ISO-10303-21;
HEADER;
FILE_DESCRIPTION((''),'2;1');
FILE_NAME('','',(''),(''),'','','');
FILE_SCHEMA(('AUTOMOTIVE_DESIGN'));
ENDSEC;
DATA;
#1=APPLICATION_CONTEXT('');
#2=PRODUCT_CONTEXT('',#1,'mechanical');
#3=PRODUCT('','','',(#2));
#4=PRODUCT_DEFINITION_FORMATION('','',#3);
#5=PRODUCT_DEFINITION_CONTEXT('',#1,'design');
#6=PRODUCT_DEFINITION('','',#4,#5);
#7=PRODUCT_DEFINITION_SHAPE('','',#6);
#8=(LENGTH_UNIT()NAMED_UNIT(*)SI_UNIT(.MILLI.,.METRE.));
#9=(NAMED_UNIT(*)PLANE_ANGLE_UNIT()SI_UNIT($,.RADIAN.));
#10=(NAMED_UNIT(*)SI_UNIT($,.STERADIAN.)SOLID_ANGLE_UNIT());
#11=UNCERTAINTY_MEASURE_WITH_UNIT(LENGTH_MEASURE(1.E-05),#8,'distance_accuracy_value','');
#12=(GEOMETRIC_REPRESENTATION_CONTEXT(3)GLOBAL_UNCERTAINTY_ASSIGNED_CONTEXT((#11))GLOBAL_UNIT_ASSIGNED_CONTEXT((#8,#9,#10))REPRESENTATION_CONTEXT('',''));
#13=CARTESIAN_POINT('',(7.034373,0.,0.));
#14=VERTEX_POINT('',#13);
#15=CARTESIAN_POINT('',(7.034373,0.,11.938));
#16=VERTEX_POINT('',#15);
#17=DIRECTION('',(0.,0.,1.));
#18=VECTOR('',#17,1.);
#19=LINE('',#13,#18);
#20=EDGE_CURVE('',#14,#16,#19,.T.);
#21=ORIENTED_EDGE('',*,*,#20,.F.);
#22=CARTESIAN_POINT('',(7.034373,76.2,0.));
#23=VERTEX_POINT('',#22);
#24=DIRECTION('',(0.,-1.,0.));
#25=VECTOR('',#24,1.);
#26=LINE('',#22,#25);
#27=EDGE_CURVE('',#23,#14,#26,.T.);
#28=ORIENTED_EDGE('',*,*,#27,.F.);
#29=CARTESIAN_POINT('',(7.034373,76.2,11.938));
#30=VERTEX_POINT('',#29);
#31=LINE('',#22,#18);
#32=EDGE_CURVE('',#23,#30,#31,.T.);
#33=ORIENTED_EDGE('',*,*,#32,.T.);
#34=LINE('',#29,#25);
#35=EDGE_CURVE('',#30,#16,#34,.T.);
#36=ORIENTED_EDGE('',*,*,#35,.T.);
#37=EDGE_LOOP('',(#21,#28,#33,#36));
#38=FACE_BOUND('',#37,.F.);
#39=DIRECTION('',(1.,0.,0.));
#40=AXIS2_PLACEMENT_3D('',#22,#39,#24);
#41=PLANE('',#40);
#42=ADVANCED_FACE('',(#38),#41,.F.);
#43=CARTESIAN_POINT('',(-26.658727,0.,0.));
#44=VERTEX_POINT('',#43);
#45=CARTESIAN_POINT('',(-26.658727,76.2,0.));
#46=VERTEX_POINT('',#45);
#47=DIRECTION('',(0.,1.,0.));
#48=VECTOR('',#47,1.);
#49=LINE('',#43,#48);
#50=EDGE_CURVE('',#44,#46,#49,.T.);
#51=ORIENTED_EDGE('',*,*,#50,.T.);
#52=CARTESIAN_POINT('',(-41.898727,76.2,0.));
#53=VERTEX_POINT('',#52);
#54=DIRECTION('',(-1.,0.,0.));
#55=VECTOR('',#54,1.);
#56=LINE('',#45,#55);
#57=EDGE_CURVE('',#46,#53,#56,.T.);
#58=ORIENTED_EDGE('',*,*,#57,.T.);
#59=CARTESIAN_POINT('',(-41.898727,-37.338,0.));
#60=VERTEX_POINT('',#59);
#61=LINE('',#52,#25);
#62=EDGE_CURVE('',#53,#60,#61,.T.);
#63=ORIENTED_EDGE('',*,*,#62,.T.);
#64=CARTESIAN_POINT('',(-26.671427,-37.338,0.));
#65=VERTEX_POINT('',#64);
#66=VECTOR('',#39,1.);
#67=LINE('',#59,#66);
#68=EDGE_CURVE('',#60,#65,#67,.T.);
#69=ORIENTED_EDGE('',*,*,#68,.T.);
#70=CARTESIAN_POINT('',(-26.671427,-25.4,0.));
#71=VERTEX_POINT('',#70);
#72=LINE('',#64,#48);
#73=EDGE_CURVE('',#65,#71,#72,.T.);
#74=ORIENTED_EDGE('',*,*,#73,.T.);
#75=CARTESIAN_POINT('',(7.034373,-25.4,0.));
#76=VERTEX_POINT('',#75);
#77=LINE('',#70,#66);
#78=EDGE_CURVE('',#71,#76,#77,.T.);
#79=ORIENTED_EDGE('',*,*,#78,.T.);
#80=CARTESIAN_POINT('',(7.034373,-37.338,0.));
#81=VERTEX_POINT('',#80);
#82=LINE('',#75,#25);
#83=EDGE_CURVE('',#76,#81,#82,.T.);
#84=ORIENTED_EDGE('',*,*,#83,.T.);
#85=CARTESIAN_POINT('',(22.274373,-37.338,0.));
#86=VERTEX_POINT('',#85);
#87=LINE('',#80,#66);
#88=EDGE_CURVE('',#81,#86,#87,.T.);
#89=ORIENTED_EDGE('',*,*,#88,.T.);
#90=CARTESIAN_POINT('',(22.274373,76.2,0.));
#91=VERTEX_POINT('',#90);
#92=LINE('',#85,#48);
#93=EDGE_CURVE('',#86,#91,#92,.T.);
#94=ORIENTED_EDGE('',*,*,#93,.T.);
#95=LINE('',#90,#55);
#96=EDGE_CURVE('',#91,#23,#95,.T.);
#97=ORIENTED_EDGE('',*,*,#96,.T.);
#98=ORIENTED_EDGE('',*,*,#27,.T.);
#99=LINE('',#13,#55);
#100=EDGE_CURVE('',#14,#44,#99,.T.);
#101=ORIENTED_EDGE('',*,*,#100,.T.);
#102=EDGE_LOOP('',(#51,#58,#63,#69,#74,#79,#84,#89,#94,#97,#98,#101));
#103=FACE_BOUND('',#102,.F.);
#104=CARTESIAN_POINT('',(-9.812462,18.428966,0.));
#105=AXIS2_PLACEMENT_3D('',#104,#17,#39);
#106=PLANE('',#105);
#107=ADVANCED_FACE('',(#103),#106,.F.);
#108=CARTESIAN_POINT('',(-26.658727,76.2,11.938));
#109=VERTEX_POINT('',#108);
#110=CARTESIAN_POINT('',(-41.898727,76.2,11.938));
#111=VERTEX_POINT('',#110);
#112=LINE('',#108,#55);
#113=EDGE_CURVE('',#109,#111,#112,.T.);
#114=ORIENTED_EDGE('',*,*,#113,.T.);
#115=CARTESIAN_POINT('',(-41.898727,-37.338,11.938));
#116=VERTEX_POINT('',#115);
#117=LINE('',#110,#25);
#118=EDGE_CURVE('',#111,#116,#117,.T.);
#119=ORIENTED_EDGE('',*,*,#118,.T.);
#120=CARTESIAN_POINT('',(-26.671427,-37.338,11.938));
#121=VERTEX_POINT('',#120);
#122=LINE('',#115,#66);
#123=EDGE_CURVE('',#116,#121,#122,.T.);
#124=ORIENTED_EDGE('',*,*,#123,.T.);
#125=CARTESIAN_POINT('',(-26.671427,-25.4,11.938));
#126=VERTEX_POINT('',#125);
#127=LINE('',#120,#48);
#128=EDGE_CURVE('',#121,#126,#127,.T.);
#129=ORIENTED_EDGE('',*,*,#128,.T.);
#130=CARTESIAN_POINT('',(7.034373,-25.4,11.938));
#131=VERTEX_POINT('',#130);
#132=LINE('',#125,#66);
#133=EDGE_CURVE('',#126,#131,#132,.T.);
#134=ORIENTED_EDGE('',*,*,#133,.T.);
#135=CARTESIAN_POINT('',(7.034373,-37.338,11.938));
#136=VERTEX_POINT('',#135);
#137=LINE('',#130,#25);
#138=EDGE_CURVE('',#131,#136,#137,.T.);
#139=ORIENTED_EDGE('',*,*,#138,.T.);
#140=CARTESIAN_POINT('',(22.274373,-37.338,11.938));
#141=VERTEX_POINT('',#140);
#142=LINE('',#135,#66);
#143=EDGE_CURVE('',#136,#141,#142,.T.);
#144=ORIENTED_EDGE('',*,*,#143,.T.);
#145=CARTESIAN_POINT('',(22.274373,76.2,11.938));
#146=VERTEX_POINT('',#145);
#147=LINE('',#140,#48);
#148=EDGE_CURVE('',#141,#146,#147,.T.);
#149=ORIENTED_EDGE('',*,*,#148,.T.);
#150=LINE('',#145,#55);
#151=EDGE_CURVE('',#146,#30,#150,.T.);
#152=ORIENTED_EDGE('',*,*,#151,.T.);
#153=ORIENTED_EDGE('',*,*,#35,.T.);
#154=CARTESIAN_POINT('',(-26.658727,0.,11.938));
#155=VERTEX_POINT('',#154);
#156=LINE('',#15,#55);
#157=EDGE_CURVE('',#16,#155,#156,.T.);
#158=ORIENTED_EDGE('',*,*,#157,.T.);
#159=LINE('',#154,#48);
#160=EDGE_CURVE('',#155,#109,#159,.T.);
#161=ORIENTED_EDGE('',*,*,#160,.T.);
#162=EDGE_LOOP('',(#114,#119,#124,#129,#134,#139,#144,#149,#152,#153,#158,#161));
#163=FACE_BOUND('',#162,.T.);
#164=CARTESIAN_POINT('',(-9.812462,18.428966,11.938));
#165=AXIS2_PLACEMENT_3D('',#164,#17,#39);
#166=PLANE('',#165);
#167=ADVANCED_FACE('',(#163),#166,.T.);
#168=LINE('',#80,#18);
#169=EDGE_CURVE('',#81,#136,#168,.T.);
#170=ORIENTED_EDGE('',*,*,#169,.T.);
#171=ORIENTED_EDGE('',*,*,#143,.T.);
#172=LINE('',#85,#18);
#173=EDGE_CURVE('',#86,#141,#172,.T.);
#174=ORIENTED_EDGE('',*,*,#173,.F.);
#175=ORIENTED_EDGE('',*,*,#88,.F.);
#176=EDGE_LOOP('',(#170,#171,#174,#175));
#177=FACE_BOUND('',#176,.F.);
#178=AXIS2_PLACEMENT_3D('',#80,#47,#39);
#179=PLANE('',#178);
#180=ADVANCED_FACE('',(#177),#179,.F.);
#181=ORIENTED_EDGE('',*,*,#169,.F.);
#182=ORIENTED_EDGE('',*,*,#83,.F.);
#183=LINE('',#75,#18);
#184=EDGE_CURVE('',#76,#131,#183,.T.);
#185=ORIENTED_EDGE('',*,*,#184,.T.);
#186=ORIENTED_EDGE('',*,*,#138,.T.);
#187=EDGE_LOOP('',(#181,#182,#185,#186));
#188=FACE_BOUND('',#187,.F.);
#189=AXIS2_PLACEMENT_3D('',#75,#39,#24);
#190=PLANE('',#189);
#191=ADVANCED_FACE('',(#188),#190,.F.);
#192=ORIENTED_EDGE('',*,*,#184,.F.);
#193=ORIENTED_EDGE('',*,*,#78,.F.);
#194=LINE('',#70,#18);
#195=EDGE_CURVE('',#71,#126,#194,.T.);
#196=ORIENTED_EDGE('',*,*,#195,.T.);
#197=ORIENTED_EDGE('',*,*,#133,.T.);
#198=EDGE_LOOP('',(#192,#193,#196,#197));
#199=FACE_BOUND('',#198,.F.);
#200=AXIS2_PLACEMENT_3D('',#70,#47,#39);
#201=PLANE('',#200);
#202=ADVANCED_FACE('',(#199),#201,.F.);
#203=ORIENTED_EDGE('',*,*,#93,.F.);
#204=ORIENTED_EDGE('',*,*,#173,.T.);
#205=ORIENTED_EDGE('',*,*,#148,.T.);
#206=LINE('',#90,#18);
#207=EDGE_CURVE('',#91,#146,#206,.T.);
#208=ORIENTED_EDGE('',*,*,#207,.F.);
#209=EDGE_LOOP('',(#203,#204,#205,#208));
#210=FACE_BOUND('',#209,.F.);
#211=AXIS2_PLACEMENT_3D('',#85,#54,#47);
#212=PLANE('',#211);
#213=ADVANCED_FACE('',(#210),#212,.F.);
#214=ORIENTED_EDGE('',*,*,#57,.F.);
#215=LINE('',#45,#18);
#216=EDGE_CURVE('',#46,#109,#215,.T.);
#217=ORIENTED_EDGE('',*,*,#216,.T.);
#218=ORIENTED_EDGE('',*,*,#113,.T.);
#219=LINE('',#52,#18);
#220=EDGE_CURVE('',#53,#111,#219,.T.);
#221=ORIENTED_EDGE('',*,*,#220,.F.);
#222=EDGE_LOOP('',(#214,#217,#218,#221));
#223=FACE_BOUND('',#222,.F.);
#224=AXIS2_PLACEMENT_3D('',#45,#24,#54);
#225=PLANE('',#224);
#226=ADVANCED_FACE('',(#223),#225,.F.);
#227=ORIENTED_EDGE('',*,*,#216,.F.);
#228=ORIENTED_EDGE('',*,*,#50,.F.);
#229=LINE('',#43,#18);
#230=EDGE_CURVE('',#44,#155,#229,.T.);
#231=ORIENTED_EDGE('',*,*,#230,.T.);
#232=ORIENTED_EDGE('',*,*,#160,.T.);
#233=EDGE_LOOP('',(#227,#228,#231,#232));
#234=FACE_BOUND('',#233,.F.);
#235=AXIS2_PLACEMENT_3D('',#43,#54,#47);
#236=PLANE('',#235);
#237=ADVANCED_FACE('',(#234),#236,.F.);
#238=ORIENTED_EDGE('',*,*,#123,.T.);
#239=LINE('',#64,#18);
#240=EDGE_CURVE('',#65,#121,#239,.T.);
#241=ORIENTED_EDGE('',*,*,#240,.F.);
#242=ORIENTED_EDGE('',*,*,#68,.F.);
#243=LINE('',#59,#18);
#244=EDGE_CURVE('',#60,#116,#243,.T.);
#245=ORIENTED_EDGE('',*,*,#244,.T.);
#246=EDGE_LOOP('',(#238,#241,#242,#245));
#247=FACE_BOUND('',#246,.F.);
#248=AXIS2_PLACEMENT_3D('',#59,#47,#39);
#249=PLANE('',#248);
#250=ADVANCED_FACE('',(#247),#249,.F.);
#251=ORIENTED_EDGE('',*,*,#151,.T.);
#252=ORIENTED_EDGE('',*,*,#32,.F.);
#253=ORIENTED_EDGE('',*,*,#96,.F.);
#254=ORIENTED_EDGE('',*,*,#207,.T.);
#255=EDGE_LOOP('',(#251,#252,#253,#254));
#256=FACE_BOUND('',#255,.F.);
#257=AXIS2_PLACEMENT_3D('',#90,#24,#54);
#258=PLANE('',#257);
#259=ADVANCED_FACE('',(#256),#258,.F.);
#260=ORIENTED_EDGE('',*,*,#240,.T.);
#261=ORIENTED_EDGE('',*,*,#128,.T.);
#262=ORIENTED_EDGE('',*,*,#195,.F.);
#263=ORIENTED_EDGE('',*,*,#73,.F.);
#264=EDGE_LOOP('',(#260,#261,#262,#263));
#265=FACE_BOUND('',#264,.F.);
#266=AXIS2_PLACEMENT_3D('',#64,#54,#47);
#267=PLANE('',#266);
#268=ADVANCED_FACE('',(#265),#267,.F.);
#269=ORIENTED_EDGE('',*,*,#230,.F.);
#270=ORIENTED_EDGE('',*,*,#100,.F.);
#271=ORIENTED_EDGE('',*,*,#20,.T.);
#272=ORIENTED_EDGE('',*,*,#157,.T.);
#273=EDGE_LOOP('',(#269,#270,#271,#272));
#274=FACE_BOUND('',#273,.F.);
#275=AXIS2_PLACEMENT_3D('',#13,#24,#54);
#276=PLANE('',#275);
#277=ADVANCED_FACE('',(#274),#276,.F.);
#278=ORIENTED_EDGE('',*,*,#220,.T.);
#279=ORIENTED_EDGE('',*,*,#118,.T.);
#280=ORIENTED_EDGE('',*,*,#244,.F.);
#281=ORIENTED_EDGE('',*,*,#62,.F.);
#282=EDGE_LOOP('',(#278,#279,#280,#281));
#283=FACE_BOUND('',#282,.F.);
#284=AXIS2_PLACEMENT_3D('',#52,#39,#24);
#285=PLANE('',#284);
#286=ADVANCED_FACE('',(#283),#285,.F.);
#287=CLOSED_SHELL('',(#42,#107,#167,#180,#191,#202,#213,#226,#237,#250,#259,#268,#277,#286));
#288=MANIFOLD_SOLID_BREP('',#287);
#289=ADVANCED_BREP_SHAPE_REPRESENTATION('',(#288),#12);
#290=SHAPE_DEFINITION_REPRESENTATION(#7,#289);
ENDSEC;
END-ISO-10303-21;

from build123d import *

# Parameters (mm, degrees)
F1_DEPTH = 11.938


with BuildPart() as f1:
    # F0 (on Top) → F1 (new body)
    with BuildSketch(Plane.XY):
        Polygon((7.034373, 0), (-26.658727, 0), (-26.658727, 76.2), (-41.898727, 76.2), (-41.898727, 0), (-41.898727, -25.4), (-41.898727, -37.338), (-26.671427, -37.338), (-26.671427, -25.4), (7.034373, -25.4), (7.034373, -37.338), (22.274373, -37.338), (22.274373, -25.4), (22.274373, 0), (22.274373, 76.2), (7.034373, 76.2), align=None)
    extrude(amount=F1_DEPTH)


solid = f1.part
